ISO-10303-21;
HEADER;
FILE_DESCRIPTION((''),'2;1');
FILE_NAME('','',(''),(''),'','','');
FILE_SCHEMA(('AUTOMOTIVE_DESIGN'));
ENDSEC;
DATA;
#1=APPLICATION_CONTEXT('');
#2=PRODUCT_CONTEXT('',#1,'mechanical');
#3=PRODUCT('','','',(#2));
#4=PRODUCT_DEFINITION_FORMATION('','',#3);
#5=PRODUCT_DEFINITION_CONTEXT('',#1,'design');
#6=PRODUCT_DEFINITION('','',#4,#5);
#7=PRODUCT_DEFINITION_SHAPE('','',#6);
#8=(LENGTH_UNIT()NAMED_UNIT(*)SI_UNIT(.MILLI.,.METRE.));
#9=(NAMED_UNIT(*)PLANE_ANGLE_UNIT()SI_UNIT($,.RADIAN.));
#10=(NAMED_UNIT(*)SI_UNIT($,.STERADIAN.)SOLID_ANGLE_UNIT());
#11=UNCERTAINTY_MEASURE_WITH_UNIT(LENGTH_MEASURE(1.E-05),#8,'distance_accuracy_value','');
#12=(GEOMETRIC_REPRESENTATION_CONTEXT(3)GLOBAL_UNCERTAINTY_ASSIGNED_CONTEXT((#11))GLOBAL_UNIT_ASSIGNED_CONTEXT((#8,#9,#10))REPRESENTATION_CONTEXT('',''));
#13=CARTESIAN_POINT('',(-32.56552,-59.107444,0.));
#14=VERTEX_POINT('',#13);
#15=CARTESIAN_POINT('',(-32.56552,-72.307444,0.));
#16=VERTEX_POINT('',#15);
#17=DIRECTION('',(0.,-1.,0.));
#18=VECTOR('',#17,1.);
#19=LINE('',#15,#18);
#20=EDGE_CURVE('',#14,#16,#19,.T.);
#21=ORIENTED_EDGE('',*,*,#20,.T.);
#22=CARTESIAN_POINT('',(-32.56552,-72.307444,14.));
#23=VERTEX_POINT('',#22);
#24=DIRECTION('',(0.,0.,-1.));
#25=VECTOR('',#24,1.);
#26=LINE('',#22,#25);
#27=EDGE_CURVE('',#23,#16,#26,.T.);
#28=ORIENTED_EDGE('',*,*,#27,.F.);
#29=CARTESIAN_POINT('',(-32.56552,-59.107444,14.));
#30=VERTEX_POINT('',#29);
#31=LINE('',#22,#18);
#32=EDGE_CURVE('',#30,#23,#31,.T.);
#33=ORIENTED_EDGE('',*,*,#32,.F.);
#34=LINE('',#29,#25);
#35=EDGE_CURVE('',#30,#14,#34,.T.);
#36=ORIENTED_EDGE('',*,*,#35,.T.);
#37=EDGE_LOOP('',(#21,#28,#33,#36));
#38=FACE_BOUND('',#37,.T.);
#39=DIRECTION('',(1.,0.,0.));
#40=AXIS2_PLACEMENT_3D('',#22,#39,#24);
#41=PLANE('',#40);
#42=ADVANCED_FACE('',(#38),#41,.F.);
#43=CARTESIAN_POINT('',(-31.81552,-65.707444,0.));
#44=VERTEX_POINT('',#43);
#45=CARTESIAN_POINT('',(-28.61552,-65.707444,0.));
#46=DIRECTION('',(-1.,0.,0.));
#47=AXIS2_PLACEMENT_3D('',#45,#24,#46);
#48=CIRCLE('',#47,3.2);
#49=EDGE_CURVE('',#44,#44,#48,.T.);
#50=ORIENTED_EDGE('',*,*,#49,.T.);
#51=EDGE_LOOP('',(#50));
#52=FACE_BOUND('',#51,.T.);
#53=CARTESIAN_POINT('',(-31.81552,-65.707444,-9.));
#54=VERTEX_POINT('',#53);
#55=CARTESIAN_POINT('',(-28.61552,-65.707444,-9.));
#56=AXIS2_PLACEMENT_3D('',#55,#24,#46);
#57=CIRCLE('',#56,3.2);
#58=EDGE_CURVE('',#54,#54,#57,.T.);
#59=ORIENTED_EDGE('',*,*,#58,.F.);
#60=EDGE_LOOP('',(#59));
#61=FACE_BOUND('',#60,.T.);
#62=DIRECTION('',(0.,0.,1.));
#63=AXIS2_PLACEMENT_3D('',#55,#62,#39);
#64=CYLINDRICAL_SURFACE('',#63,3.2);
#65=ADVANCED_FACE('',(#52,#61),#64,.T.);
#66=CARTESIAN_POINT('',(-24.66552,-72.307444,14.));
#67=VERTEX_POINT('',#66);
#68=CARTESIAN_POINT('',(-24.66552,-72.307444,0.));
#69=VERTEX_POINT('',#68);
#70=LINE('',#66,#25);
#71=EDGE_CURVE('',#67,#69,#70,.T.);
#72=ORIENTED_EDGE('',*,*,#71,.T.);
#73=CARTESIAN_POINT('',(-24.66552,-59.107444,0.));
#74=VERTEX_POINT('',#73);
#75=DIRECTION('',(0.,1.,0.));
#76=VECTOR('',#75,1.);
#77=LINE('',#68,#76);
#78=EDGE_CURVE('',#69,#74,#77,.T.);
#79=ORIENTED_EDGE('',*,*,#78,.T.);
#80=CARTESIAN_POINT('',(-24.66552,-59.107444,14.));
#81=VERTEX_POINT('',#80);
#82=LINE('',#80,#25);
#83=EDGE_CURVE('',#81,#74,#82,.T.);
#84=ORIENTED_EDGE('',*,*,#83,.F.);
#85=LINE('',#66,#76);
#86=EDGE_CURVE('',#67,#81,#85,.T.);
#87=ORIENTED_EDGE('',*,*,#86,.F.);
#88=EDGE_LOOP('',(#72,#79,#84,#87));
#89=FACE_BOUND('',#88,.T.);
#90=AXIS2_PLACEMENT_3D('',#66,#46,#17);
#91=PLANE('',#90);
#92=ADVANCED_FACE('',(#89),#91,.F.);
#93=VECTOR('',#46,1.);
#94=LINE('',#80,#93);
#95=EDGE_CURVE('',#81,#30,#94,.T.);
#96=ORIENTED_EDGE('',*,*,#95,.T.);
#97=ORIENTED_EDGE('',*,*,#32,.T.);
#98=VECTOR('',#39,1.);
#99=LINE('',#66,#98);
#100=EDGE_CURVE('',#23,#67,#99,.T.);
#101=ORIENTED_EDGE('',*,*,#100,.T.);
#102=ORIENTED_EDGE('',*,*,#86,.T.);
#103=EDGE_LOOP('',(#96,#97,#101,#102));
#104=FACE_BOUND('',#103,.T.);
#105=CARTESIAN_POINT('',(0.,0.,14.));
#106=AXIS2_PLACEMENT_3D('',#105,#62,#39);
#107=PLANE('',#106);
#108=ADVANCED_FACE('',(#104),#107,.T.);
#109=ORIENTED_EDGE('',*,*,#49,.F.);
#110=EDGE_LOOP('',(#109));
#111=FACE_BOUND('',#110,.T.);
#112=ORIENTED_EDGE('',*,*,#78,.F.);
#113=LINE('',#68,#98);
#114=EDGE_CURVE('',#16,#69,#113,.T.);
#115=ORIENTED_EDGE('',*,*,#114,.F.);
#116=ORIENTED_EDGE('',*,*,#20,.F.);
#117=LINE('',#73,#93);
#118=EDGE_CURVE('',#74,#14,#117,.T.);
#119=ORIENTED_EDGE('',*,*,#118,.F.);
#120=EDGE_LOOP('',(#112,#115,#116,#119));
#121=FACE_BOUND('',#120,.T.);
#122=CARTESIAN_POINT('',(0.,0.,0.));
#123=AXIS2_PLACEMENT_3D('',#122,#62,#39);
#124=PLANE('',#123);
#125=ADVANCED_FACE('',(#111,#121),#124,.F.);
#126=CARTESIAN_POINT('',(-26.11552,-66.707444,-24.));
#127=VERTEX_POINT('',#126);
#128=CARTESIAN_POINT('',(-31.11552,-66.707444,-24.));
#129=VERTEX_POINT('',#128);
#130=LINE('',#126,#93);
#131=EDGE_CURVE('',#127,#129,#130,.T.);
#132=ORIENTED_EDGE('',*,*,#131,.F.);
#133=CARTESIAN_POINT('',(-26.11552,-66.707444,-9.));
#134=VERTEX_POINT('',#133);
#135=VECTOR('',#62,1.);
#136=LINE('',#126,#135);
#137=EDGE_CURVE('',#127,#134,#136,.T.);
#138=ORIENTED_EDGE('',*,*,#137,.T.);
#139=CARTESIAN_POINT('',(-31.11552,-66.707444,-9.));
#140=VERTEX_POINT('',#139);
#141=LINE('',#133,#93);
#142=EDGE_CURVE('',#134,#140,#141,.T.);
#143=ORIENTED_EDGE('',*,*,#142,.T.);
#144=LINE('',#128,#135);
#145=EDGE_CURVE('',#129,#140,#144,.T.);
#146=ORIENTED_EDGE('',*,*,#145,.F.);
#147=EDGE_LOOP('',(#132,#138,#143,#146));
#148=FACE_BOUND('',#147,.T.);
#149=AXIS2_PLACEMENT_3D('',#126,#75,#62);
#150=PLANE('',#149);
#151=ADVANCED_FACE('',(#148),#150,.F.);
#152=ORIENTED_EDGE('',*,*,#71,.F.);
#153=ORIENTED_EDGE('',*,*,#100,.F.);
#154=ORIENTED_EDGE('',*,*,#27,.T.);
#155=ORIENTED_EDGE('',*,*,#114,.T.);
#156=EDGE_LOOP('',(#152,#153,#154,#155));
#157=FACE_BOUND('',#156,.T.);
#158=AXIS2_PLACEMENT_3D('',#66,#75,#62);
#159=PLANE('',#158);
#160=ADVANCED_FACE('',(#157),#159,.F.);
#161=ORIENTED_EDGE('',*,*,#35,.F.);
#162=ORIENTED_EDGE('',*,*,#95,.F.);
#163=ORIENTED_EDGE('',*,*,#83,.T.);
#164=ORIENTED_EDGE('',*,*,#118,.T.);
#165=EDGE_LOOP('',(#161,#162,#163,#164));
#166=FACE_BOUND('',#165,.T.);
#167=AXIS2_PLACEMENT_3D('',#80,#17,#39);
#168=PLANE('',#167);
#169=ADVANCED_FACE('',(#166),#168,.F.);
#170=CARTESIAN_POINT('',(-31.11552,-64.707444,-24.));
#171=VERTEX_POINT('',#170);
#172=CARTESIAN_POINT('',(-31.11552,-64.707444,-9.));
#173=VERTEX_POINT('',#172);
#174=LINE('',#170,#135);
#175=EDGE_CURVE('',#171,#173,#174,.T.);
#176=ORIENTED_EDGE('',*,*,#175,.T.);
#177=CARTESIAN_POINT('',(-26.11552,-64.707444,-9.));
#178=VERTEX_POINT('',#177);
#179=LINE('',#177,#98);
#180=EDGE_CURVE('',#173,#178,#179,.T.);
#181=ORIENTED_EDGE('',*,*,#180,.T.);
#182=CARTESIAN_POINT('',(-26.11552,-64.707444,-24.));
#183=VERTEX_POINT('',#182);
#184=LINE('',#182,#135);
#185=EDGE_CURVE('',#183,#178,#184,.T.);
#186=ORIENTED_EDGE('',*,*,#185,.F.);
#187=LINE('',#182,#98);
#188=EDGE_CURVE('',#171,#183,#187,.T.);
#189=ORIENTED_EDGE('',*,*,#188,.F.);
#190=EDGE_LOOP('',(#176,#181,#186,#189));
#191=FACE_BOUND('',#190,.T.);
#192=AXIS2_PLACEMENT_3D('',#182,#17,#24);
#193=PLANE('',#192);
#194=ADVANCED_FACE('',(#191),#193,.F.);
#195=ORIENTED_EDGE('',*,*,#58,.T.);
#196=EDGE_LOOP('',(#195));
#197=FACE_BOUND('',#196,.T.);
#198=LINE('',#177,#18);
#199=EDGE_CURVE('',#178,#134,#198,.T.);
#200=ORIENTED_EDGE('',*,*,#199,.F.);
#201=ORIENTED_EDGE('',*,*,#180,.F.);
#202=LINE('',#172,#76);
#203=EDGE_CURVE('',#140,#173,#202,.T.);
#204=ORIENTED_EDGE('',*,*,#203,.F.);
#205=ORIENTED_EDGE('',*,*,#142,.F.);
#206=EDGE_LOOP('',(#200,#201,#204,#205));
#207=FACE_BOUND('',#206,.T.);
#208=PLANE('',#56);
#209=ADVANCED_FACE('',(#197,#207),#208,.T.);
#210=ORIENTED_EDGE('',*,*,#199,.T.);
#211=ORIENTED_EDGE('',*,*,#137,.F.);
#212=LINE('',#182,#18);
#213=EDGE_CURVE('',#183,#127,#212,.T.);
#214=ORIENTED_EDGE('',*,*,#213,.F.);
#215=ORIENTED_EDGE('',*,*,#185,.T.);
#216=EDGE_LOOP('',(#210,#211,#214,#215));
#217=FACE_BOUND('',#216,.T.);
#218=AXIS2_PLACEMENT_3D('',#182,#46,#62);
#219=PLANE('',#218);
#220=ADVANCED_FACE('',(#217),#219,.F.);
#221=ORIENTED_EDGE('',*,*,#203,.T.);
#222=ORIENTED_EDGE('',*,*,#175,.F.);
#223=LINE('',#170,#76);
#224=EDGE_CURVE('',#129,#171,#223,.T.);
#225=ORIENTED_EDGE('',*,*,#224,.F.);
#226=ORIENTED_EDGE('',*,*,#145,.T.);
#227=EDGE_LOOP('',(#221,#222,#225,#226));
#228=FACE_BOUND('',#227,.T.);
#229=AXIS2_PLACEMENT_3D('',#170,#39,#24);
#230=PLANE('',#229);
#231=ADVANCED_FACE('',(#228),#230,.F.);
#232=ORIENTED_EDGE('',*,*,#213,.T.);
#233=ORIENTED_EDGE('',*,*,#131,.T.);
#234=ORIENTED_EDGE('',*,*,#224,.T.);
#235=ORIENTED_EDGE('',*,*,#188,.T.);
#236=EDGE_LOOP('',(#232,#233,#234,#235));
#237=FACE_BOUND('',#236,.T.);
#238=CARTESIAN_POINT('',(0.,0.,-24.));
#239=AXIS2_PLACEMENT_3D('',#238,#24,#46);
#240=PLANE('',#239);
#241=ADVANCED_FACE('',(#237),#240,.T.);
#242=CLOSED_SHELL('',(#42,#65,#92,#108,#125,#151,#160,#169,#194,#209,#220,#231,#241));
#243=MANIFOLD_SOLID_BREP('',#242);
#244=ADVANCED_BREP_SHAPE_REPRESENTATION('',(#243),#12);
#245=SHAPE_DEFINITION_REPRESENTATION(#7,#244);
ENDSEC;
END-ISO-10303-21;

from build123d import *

# Parameters (mm, degrees)
SKETCH_1_W      = 7.9
SKETCH_1_H      = 13.2
EXTRUDE_1_DEPTH = 14
SKETCH_2_R      = 3.2
EXTRUDE_2_DEPTH = 9
SKETCH_3_W      = 5
SKETCH_3_H      = 2
EXTRUDE_3_DEPTH = 15


with BuildPart() as part:
    # 草圖1 → 填料-伸長1 (new body)
    with BuildSketch(Plane.XY):
        with Locations((-28.615519845, -65.707444045)):
            Rectangle(SKETCH_1_W, SKETCH_1_H)
    extrude(amount=EXTRUDE_1_DEPTH)

    # 草圖2 → 填料-伸長2 (add)
    with BuildSketch(Plane(origin=(0, 0, 0), x_dir=(-1, 0, 0), z_dir=(0, 0, -1))):
        with Locations((28.615519845, -65.707444045)):
            Circle(SKETCH_2_R)
    extrude(amount=EXTRUDE_2_DEPTH)

    # 草圖3 → 填料-伸長3 (add)
    with BuildSketch(Plane(origin=(0, 0, -9), x_dir=(-1, 0, 0), z_dir=(0, 0, -1))):
        with Locations((28.615519845, -65.707444045)):
            Rectangle(SKETCH_3_W, SKETCH_3_H)
    extrude(amount=EXTRUDE_3_DEPTH)


solid = part.part
